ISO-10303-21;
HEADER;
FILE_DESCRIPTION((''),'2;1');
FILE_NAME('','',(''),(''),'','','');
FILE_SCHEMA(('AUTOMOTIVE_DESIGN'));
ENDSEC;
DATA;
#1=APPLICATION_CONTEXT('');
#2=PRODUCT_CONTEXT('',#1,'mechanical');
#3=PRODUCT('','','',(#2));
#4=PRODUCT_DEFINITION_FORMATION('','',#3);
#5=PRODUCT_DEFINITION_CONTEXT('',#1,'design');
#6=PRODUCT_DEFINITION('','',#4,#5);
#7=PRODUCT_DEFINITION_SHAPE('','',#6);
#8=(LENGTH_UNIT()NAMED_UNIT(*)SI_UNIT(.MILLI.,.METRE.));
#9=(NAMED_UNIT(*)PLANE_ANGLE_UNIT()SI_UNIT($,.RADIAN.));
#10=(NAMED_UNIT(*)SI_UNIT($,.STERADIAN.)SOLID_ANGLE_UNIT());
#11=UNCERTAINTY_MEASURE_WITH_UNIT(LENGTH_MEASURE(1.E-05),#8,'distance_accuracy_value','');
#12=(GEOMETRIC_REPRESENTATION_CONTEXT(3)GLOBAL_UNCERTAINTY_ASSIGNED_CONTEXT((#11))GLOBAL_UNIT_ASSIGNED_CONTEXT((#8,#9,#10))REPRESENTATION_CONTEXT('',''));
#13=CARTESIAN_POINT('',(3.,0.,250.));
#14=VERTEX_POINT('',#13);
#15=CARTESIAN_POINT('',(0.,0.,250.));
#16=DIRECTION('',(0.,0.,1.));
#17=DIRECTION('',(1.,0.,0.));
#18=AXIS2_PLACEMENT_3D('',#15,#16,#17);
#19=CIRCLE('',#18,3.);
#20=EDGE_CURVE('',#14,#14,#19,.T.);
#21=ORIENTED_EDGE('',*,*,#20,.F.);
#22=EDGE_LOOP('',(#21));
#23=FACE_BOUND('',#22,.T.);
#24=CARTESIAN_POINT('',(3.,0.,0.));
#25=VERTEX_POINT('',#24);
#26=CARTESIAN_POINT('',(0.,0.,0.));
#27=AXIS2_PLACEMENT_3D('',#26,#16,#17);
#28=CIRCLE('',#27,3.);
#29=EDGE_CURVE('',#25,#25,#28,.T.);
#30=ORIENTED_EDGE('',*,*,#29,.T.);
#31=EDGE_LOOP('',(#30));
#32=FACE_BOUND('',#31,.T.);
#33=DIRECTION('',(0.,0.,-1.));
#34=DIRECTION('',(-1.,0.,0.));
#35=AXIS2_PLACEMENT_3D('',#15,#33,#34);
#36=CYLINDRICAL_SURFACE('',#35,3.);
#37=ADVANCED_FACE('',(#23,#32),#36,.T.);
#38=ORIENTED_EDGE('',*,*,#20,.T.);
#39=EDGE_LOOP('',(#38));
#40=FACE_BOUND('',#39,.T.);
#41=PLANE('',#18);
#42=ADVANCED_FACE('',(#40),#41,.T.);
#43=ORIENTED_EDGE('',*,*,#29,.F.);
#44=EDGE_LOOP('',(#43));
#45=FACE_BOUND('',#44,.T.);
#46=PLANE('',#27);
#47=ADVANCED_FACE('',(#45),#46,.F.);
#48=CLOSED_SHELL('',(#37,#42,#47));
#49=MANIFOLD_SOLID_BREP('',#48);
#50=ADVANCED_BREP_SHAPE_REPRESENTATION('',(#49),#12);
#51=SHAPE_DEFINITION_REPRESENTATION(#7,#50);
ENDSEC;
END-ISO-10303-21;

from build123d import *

# Parameters (mm, degrees)
CROQUIS1_R              = 3
SALIENTE_EXTRUIR1_DEPTH = 250


with BuildPart() as part:
    # Croquis1 → Saliente-Extruir1 (new body)
    with BuildSketch(Plane.XY):
        Circle(CROQUIS1_R)
    extrude(amount=SALIENTE_EXTRUIR1_DEPTH)


solid = part.part
